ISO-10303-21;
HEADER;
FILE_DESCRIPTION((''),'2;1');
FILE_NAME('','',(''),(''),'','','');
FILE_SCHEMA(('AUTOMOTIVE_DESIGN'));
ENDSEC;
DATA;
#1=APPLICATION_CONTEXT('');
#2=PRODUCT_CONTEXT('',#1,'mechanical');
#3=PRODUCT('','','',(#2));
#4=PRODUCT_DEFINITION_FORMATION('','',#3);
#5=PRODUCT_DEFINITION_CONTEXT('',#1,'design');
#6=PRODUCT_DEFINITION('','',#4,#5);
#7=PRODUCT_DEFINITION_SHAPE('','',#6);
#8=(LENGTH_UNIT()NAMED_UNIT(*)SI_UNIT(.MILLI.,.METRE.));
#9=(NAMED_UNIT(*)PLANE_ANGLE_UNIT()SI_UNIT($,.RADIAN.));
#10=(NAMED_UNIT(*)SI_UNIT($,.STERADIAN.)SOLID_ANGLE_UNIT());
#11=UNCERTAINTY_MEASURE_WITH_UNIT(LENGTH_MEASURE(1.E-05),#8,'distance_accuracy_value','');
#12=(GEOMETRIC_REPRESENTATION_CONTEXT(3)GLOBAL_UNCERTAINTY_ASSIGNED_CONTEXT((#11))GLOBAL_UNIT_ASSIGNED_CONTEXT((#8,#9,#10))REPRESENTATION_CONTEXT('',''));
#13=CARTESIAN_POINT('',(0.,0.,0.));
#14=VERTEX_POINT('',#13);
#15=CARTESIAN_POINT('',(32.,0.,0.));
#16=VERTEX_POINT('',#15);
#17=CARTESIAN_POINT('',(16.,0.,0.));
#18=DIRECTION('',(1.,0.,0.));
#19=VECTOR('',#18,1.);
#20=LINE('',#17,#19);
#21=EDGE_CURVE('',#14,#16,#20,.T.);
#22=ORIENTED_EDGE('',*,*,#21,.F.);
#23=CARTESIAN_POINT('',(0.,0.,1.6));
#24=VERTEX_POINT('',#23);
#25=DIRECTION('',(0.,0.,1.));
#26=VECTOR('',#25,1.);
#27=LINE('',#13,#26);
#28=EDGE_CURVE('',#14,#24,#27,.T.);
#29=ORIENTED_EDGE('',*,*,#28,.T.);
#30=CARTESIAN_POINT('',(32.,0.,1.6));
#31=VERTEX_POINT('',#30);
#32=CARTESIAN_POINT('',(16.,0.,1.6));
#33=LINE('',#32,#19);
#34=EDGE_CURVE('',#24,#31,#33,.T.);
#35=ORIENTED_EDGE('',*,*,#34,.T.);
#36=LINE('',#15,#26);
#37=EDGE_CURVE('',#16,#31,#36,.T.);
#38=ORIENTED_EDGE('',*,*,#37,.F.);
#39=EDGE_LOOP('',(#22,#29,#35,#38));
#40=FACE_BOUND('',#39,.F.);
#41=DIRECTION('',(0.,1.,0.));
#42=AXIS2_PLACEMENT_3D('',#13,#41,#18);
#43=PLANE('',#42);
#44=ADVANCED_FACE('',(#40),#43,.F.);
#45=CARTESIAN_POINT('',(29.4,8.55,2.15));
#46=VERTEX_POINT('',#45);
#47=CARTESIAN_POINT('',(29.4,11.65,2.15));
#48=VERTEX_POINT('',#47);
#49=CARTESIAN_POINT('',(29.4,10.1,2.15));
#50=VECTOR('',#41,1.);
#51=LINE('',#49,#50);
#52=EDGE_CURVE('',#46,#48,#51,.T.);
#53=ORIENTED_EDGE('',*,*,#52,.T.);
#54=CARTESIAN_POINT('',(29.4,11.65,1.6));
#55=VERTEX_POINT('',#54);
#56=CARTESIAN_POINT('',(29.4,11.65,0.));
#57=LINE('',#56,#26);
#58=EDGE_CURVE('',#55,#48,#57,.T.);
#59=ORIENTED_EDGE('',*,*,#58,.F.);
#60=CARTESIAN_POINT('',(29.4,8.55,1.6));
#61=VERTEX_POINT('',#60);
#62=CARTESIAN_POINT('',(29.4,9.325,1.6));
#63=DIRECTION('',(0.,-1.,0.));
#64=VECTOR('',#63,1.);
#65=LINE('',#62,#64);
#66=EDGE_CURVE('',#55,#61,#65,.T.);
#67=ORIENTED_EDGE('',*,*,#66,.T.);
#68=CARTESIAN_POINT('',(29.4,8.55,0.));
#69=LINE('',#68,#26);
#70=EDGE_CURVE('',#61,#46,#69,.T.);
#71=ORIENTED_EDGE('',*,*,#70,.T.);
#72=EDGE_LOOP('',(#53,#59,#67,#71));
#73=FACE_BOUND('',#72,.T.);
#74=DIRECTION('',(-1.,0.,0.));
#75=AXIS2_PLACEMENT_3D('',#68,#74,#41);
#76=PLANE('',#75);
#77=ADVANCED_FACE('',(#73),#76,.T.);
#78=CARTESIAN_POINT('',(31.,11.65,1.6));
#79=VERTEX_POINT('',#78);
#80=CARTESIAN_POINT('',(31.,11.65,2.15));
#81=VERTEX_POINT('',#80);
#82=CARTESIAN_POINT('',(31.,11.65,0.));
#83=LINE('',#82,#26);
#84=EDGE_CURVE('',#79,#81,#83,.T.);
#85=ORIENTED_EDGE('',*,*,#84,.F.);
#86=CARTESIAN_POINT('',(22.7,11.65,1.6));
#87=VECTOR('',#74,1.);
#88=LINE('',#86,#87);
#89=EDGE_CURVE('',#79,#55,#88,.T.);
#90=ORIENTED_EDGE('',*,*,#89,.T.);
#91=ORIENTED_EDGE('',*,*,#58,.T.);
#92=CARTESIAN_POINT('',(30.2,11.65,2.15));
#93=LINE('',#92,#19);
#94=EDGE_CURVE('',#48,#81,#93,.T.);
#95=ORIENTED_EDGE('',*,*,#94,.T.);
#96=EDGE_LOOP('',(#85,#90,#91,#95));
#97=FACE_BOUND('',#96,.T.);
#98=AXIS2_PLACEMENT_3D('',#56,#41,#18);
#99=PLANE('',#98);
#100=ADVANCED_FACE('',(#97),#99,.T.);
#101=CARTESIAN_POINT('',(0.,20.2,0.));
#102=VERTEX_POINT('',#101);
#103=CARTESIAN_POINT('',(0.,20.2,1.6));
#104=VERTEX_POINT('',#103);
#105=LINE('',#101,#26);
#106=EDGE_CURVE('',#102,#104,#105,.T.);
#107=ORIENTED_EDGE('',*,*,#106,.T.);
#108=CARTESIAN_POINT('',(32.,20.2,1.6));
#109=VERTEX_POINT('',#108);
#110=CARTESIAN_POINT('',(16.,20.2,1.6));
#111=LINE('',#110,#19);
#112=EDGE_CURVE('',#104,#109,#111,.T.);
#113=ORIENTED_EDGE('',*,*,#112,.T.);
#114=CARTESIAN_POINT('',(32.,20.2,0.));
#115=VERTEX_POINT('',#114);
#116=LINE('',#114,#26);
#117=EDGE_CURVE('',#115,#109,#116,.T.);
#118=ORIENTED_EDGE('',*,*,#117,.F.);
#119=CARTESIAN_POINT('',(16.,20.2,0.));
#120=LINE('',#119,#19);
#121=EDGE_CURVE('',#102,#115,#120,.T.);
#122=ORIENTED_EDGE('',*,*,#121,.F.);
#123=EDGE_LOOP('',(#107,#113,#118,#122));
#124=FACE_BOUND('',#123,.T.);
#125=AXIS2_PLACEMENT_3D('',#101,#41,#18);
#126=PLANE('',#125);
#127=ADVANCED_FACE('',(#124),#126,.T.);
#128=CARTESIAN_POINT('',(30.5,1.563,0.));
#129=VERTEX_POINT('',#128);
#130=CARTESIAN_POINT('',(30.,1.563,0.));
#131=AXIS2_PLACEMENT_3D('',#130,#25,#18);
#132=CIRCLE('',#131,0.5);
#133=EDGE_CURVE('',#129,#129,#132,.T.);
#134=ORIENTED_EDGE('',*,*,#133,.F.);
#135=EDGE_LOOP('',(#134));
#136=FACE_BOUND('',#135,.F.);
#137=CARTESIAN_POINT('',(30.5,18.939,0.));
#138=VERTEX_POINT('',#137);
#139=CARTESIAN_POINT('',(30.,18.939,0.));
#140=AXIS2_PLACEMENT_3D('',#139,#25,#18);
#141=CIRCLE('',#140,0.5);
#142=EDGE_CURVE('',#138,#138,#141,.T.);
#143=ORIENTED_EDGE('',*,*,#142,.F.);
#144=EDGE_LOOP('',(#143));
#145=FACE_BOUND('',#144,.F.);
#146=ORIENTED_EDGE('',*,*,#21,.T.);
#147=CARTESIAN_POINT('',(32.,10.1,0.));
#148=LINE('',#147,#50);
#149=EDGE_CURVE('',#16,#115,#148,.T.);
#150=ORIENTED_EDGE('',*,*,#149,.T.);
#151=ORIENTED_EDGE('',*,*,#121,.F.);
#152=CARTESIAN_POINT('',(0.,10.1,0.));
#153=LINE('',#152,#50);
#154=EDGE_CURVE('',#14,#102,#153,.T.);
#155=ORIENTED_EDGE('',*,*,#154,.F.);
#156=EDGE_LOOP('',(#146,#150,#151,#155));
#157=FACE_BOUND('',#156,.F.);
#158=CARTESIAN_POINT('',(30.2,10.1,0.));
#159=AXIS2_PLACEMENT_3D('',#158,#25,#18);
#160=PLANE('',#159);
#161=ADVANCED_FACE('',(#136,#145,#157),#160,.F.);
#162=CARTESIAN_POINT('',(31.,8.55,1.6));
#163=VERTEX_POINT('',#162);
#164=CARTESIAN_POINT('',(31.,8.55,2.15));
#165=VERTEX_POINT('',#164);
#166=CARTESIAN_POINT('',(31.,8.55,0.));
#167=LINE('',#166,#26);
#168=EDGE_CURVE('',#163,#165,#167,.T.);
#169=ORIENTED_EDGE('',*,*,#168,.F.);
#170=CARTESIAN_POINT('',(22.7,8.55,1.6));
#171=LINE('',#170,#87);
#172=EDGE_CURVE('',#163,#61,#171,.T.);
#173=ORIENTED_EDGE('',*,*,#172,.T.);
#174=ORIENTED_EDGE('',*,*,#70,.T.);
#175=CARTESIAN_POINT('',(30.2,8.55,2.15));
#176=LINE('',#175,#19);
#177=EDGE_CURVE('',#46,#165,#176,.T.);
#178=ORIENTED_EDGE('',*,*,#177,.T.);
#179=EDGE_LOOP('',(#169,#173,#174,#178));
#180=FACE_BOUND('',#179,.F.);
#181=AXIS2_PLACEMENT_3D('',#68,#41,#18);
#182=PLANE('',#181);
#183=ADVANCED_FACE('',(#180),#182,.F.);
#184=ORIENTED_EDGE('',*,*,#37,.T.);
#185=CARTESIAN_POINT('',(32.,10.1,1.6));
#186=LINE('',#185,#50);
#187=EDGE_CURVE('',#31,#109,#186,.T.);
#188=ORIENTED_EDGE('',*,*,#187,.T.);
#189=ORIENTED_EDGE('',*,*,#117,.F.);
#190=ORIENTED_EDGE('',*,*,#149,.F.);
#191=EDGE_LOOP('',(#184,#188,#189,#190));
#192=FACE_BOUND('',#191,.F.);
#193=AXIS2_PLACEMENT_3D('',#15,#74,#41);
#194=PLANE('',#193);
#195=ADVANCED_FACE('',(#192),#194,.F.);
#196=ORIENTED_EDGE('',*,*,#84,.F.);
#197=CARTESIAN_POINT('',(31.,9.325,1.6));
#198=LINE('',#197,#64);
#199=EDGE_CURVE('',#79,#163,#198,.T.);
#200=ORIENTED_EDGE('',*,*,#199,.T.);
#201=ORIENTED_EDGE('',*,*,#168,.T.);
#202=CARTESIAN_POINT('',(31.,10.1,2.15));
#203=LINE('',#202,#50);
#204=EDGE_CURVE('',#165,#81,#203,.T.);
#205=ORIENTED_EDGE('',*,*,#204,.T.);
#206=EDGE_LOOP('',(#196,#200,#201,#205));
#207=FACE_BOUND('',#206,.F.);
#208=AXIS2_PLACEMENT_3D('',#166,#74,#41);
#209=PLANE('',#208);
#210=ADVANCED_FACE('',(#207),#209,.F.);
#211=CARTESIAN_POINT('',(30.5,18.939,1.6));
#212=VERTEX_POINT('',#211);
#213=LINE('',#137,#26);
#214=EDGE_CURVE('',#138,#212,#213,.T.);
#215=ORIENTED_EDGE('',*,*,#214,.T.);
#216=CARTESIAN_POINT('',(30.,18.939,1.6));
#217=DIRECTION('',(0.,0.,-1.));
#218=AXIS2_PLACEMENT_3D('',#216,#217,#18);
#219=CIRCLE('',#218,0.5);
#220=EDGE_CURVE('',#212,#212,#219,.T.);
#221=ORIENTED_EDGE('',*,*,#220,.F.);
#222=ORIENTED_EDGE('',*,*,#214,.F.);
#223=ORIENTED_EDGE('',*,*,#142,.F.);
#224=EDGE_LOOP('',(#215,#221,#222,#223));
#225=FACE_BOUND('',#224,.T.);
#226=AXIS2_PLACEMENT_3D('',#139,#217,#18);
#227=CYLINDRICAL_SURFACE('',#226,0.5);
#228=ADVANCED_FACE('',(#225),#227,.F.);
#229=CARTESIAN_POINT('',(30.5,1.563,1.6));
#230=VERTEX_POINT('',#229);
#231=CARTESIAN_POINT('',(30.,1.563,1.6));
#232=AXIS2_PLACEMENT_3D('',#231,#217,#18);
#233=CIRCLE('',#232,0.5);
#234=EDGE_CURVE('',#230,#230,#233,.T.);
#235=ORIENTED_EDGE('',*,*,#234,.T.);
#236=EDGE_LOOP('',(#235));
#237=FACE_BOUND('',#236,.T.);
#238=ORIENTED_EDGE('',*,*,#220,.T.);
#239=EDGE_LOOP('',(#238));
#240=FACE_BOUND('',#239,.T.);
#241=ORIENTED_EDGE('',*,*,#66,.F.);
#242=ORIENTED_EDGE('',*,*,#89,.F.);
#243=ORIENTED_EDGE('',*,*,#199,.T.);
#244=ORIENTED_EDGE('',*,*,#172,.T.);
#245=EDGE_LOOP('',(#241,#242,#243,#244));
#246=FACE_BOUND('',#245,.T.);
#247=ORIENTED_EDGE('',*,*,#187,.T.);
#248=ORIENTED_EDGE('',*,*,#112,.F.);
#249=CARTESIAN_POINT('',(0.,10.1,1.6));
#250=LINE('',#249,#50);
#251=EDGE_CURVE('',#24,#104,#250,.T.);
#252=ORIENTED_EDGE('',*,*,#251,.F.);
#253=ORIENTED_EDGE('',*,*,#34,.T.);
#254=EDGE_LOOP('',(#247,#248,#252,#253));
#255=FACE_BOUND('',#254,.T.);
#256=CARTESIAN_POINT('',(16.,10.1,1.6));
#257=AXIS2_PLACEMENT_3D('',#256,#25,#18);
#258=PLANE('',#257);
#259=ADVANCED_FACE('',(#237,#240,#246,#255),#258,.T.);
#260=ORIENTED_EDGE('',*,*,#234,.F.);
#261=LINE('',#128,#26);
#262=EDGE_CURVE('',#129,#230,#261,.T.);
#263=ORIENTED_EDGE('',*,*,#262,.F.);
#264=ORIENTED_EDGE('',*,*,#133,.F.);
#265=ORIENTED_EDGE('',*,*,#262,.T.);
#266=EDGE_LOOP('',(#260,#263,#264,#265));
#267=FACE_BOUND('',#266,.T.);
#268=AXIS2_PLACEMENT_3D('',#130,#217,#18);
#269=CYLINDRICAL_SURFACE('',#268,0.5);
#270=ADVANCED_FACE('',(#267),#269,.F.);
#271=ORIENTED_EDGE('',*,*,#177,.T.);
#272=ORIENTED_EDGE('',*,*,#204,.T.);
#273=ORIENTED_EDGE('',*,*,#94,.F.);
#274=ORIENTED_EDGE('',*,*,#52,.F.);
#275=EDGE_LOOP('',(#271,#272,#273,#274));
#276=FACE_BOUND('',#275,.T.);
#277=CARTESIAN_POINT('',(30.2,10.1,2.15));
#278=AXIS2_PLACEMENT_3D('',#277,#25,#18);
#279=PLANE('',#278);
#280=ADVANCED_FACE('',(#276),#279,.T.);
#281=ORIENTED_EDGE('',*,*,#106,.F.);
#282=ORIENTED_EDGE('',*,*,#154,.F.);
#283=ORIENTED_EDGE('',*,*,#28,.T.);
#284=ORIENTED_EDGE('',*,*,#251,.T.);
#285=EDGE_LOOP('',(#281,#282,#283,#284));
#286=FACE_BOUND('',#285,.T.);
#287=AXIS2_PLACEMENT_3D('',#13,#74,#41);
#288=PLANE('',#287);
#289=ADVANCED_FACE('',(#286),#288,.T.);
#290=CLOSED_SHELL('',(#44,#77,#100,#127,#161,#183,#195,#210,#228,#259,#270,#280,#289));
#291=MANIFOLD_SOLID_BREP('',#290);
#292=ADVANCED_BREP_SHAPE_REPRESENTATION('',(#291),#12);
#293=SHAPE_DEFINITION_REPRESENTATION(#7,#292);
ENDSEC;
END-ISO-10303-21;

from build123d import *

# Parameters (mm, degrees)
SKETCH_W     = 32
SKETCH_H     = 20.2
PAD_DEPTH    = 1.6
SKETCH003_R  = 0.5
POCKET_DEPTH = 1.601
SKETCH004_W  = 1.6
SKETCH004_H  = 3.1
PAD003_DEPTH = 2.15


with BuildPart() as part:
    # Sketch → Pad (new body)
    with BuildSketch(Plane.XY):
        with Locations((16, 10.1)):
            Rectangle(SKETCH_W, SKETCH_H)
    extrude(amount=PAD_DEPTH)

    # Sketch003 → Pocket (cut, through all)
    with BuildSketch(Plane.XY):
        with Locations((30, 18.939)):
            Circle(SKETCH003_R)
        with Locations((30, 1.563)):
            Circle(SKETCH003_R)
    extrude(amount=POCKET_DEPTH, mode=Mode.SUBTRACT)

    # Sketch004 → Pad003 (join)
    with BuildSketch(Plane.XY):
        with Locations((30.2, 10.1)):
            Rectangle(SKETCH004_W, SKETCH004_H)
    extrude(amount=PAD003_DEPTH)


solid = part.part
